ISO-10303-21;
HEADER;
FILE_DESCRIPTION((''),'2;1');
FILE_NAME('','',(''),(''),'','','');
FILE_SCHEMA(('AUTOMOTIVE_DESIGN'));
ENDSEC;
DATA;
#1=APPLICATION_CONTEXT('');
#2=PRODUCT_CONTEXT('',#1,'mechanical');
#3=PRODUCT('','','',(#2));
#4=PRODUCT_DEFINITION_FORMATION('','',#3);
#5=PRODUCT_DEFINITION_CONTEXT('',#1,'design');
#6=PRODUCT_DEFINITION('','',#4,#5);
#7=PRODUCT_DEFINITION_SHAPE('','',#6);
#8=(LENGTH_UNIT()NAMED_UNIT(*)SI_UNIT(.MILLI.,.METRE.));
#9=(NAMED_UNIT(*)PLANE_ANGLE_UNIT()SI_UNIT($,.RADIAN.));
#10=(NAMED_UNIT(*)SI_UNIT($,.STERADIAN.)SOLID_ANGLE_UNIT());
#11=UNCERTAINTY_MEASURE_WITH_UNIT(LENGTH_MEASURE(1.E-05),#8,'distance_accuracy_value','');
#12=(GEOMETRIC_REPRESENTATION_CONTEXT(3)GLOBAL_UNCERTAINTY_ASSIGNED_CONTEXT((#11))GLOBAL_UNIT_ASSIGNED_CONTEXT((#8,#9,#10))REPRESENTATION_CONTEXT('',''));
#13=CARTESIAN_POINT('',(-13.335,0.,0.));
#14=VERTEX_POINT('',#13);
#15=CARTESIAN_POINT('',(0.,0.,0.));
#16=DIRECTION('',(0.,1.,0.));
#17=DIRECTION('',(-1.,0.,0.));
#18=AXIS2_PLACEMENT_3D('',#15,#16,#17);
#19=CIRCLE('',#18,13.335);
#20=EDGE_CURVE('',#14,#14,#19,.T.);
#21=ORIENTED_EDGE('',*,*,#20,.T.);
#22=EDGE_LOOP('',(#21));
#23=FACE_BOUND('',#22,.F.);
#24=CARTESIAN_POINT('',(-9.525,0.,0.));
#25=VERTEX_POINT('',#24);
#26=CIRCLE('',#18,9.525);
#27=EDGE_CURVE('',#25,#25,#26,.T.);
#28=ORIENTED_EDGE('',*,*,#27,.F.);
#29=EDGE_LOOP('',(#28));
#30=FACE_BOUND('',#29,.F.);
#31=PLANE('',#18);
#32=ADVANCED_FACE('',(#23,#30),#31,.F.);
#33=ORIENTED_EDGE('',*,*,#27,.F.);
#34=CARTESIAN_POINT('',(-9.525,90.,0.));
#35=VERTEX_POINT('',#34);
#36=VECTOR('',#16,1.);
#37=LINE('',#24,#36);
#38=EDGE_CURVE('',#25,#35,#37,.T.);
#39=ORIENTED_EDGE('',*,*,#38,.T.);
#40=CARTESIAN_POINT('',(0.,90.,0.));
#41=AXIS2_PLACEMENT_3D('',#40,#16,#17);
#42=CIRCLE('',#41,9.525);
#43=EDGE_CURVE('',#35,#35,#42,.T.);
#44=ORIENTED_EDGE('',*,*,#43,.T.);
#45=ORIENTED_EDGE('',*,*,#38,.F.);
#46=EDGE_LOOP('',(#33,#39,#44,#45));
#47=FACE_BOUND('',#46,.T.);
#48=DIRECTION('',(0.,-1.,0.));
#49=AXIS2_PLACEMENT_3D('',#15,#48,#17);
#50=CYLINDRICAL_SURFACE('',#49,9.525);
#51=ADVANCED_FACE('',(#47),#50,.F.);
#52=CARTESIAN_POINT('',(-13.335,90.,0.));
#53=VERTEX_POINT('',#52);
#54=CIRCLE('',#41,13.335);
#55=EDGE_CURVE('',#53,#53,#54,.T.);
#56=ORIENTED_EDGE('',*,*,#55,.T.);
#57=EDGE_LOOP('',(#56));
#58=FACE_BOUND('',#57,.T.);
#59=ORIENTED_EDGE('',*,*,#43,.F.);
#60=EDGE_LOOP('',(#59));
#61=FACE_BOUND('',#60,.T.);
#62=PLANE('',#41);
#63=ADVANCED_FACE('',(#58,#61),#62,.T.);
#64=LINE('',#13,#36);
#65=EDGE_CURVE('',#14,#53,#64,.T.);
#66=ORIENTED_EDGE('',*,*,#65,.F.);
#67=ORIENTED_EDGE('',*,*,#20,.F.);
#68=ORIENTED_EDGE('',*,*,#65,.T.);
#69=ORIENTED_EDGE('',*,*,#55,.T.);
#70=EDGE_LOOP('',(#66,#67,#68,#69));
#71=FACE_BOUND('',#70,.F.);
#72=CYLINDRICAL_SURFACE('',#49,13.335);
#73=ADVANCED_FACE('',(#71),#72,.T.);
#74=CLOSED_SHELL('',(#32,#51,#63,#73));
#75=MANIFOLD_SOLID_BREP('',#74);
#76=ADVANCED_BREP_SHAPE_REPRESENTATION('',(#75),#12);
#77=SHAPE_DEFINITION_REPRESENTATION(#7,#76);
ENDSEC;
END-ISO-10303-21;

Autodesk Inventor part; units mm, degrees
ref_plane "YZ Plane" through (0, 0, 0) normal (1, 0, 0) x (0, 1, 0)
ref_plane "XZ Plane" through (0, 0, 0) normal (0, 1, 0) x (-1, 0, 0)
ref_plane "XY Plane" through (0, 0, 0) normal (0, 0, 1) x (1, 0, 0)
sketch "Sketch1" plane through (0, 0, 0) normal (0, 1, 0) x (-1, 0, 0)
  circle A0 centre (0, 0) radius 13.335
  circle A1 centre (0, 0) radius 9.525
  dimension "d0" = 26.67
  dimension "d1" = 19.05
extrude "Extrusion1" add sketch "Sketch1" along normal blind 90
properties part number "motor-standin" material "PPS Plastic"
